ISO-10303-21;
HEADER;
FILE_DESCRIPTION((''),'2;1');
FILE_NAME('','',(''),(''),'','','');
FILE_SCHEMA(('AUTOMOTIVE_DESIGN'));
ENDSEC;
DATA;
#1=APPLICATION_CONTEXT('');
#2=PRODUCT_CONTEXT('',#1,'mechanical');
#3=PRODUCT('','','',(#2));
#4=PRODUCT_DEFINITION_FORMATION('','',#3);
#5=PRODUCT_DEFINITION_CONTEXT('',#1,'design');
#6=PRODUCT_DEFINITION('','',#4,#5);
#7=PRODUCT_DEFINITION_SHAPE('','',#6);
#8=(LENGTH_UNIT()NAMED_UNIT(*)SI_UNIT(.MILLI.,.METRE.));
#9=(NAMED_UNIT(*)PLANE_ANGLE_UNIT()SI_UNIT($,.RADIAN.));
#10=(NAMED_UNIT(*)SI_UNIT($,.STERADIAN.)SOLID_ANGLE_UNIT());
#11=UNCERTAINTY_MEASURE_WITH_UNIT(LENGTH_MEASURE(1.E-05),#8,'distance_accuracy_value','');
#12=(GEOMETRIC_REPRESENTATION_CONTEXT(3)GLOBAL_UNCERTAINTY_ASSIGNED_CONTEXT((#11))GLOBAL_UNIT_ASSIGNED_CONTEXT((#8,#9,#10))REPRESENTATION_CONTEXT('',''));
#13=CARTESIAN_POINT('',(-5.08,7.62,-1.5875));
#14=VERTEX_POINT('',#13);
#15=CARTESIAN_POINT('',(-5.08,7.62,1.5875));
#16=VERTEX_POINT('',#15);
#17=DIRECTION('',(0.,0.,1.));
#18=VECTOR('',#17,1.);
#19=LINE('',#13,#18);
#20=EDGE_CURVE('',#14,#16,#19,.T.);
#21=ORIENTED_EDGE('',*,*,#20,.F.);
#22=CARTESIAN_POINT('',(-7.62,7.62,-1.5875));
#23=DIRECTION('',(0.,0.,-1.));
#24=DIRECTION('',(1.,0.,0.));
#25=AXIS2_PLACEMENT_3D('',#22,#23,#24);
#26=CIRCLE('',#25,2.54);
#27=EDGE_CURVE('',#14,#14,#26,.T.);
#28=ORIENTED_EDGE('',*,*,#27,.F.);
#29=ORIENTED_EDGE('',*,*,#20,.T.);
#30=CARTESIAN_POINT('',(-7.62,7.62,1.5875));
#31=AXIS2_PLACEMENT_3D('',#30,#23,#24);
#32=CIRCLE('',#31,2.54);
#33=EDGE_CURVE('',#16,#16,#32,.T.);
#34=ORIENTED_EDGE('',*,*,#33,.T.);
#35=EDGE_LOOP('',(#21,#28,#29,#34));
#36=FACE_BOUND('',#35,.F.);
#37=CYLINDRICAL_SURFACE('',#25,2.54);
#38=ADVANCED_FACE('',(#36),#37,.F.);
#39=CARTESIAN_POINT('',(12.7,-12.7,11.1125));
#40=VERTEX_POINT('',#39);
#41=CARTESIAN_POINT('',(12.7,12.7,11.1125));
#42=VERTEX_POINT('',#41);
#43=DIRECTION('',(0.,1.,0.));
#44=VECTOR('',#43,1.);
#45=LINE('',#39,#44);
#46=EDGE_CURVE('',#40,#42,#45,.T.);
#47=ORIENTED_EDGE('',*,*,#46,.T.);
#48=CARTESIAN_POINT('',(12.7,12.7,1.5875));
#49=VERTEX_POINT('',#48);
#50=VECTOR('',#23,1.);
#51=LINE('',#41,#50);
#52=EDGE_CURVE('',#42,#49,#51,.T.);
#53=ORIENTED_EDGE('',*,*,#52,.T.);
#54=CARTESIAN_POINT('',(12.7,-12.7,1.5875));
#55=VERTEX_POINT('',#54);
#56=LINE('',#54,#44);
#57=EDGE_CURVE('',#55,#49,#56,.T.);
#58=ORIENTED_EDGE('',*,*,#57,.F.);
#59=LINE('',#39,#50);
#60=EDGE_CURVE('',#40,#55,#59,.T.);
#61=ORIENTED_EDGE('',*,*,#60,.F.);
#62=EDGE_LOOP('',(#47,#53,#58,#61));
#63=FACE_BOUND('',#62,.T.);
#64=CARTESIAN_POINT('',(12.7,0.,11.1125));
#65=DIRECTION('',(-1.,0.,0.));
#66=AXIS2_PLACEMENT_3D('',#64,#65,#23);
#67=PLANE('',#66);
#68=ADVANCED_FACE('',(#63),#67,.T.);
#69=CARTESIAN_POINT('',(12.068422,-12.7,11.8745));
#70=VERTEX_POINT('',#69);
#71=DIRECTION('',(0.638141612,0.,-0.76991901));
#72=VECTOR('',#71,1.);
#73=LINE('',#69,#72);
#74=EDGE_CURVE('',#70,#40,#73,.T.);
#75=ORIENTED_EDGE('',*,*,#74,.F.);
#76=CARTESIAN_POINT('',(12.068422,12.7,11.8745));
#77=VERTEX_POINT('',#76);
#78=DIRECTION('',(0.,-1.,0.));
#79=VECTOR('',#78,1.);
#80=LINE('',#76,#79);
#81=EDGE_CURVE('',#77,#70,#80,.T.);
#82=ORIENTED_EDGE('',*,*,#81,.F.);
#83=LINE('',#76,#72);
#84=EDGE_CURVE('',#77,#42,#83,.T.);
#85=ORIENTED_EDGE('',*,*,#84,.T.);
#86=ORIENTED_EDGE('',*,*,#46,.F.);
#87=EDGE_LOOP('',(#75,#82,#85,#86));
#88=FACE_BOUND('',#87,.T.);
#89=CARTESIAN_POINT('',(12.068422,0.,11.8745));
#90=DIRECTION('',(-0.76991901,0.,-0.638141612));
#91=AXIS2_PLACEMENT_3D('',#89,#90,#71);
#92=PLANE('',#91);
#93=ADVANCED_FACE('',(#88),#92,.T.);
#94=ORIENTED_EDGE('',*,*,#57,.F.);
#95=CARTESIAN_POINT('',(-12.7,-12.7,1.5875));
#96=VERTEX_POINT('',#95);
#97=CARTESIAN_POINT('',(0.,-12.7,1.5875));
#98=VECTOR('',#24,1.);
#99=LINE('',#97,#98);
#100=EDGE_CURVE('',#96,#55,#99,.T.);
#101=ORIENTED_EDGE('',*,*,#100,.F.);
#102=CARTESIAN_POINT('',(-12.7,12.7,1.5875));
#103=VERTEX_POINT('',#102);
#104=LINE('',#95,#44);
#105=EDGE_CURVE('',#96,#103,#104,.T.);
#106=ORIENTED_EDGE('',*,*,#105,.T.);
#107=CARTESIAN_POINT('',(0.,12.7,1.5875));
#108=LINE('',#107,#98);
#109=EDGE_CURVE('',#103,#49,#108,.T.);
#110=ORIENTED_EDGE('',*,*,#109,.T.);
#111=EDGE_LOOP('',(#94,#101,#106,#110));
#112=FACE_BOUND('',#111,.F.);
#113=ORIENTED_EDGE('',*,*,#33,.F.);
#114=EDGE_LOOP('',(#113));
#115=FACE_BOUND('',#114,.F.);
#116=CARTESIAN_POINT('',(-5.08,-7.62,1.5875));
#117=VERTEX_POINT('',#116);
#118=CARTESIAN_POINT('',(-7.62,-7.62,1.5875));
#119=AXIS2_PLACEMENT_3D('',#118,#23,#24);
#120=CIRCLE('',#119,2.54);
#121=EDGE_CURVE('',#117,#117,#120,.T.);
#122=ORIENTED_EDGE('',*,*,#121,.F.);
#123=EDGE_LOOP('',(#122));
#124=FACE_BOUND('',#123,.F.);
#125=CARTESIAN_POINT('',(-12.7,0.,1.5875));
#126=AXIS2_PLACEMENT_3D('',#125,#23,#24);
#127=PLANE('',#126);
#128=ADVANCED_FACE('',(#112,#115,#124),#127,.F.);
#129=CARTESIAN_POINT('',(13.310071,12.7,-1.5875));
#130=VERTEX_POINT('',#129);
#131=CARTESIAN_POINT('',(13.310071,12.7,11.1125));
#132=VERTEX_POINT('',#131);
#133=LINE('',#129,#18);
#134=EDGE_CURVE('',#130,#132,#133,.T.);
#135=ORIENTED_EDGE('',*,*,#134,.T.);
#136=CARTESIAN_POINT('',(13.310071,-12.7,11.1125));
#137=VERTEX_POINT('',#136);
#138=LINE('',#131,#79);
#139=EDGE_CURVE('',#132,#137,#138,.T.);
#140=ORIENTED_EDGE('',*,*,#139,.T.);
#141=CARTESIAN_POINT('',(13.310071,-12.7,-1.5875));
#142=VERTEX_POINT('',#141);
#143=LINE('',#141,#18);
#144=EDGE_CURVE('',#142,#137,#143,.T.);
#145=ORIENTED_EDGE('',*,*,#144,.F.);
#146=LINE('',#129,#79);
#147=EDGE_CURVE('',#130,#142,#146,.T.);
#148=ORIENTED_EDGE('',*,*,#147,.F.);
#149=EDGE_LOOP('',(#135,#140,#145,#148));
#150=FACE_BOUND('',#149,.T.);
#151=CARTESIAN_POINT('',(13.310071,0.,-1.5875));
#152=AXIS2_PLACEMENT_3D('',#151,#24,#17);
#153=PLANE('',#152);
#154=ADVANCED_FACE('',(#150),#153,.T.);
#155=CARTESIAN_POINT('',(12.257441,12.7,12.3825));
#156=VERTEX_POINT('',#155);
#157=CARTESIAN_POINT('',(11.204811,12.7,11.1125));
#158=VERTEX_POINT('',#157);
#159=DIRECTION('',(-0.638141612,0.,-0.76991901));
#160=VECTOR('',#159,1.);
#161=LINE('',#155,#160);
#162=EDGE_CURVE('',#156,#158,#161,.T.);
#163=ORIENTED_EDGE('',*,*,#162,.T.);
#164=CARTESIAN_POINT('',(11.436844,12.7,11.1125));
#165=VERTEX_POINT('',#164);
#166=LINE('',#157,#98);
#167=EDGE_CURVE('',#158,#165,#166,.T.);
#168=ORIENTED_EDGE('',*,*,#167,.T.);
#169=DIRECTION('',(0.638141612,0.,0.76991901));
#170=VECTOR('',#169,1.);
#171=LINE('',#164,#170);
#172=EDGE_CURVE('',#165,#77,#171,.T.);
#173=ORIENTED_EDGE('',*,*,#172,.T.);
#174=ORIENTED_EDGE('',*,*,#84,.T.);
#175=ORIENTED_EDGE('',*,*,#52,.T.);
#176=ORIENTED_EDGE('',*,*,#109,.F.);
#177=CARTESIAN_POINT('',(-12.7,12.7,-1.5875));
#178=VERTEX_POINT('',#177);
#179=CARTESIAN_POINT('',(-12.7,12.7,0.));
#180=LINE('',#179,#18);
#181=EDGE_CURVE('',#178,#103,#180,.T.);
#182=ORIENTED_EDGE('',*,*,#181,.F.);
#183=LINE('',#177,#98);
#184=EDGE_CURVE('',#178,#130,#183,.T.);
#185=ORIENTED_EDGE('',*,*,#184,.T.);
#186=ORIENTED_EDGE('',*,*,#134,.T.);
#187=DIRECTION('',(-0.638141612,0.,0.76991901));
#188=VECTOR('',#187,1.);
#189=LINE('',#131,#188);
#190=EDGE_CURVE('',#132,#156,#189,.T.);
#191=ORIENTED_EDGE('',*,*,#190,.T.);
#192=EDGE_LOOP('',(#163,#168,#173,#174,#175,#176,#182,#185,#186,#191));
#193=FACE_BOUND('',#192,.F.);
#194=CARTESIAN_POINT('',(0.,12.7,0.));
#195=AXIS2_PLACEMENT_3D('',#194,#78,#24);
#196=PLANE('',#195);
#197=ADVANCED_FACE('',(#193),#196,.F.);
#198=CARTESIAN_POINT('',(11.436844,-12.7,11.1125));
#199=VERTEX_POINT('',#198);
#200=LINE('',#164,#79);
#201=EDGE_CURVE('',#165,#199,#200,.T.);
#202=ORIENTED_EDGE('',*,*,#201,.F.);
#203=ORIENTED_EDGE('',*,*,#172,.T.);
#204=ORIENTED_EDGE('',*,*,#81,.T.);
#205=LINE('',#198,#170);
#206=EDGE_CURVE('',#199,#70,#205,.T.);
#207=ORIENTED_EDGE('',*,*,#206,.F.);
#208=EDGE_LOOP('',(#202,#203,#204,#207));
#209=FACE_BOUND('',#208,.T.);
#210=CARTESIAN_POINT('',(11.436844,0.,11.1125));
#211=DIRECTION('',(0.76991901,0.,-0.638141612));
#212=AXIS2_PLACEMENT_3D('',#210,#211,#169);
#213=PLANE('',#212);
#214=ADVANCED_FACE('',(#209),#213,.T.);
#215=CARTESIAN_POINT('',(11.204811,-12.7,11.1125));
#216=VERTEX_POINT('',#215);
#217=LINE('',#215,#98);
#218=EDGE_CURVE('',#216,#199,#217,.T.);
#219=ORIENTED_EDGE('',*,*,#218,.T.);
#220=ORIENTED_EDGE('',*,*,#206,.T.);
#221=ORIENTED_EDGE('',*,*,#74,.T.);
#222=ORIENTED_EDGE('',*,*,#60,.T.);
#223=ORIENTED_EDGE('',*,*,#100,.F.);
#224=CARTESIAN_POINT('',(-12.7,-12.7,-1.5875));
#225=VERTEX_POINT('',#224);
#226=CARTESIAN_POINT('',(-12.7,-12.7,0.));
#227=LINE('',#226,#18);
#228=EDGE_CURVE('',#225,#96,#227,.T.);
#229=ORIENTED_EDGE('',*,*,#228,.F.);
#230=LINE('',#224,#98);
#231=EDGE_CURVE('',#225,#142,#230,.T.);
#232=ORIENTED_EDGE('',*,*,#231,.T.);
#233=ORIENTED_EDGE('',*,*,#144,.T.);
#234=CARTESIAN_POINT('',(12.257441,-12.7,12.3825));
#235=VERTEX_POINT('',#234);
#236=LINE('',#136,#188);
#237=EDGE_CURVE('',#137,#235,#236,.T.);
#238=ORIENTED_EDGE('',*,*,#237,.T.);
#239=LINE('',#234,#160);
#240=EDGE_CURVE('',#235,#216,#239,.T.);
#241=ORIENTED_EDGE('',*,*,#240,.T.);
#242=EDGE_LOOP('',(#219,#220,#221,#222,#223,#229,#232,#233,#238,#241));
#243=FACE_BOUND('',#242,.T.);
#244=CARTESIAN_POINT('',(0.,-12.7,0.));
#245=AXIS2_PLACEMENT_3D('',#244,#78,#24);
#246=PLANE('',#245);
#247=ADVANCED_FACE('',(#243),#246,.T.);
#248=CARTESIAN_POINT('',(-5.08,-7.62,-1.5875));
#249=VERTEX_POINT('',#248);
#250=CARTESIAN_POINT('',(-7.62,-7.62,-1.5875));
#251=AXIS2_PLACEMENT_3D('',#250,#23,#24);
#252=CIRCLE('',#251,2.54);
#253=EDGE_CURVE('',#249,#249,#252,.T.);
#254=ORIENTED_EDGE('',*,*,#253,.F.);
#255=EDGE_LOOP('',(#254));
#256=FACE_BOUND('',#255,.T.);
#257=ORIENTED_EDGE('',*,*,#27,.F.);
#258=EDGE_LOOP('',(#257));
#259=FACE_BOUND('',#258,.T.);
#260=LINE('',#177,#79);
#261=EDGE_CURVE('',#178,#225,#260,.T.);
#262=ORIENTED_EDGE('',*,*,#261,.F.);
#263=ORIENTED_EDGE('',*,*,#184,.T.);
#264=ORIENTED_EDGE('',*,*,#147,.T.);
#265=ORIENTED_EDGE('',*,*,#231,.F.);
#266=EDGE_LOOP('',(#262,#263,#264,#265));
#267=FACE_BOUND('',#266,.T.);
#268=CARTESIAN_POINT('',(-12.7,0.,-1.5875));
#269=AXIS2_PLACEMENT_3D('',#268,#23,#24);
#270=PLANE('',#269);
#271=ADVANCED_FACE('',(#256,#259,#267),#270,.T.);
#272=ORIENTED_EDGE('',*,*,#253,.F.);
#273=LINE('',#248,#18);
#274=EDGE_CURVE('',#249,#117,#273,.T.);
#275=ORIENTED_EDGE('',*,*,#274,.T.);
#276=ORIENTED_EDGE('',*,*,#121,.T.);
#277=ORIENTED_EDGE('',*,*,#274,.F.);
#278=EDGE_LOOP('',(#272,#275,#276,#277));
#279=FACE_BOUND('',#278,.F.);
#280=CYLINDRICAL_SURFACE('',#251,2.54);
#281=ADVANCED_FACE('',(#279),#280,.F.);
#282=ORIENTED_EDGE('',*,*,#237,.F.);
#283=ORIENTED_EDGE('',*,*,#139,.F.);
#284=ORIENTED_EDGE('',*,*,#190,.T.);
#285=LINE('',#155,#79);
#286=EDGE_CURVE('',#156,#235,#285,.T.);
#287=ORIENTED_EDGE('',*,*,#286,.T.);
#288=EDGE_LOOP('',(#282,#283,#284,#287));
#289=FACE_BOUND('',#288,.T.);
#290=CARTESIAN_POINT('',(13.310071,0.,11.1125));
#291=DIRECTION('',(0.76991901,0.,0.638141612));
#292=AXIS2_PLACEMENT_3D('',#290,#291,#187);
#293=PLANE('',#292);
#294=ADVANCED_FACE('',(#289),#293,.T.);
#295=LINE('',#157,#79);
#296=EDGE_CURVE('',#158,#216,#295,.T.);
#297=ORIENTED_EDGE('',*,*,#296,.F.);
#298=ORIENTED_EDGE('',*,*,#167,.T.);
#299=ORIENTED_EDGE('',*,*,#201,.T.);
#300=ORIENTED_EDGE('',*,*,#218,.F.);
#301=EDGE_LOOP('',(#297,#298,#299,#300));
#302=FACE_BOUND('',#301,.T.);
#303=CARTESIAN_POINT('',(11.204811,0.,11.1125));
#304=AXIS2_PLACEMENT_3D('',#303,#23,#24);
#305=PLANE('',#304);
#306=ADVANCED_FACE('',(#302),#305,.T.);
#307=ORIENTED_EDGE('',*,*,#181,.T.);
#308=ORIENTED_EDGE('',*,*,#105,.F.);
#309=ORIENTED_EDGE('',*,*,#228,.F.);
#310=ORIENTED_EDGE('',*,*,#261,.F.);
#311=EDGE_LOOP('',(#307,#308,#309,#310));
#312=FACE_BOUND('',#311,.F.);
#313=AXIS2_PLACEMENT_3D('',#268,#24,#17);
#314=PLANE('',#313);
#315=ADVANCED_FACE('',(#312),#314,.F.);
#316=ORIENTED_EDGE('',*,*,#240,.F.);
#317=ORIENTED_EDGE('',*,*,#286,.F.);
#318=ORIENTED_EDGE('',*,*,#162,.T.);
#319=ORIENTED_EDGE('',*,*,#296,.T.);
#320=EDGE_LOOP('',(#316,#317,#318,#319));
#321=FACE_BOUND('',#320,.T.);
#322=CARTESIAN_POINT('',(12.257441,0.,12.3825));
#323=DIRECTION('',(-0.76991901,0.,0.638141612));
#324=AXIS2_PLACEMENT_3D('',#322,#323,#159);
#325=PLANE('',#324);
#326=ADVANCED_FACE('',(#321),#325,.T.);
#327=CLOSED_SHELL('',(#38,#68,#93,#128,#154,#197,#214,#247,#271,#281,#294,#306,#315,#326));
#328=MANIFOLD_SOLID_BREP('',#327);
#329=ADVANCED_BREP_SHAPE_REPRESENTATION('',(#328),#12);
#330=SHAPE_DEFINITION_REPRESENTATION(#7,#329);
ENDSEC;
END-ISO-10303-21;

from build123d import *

# Parameters (mm, degrees)
F0_W     = 25.4
F0_H     = 3.175
F1_DEPTH = 12.7
F2_R     = 2.54
F3_DEPTH = 13.971


with BuildPart() as f1:
    # F0 (on Front) → F1 (new body, symmetric)
    with BuildSketch(Plane.XZ):
        Rectangle(F0_W, F0_H)
        Polygon((12.7, 1.5875), (12.7, -1.5875), (13.310071, -1.5875), (13.310071, 11.1125), (12.7, 11.1125), align=None)
        Polygon((12.068422, 11.8745), (12.7, 11.1125), (13.310071, 11.1125), (12.257441, 12.3825), (11.204811, 11.1125), (11.436844, 11.1125), align=None)
    extrude(amount=F1_DEPTH, both=True)

    # F2 (on face) → F3 (cut, through all)
    with BuildSketch(Plane(origin=(0, 0, -1.5875), x_dir=(1, 0, 0), z_dir=(0, 0, -1))):
        with Locations((-7.62, 7.62)):
            Circle(F2_R)
        with Locations((-7.62, -7.62)):
            Circle(F2_R)
    extrude(amount=-F3_DEPTH, mode=Mode.SUBTRACT)


solid = f1.part
